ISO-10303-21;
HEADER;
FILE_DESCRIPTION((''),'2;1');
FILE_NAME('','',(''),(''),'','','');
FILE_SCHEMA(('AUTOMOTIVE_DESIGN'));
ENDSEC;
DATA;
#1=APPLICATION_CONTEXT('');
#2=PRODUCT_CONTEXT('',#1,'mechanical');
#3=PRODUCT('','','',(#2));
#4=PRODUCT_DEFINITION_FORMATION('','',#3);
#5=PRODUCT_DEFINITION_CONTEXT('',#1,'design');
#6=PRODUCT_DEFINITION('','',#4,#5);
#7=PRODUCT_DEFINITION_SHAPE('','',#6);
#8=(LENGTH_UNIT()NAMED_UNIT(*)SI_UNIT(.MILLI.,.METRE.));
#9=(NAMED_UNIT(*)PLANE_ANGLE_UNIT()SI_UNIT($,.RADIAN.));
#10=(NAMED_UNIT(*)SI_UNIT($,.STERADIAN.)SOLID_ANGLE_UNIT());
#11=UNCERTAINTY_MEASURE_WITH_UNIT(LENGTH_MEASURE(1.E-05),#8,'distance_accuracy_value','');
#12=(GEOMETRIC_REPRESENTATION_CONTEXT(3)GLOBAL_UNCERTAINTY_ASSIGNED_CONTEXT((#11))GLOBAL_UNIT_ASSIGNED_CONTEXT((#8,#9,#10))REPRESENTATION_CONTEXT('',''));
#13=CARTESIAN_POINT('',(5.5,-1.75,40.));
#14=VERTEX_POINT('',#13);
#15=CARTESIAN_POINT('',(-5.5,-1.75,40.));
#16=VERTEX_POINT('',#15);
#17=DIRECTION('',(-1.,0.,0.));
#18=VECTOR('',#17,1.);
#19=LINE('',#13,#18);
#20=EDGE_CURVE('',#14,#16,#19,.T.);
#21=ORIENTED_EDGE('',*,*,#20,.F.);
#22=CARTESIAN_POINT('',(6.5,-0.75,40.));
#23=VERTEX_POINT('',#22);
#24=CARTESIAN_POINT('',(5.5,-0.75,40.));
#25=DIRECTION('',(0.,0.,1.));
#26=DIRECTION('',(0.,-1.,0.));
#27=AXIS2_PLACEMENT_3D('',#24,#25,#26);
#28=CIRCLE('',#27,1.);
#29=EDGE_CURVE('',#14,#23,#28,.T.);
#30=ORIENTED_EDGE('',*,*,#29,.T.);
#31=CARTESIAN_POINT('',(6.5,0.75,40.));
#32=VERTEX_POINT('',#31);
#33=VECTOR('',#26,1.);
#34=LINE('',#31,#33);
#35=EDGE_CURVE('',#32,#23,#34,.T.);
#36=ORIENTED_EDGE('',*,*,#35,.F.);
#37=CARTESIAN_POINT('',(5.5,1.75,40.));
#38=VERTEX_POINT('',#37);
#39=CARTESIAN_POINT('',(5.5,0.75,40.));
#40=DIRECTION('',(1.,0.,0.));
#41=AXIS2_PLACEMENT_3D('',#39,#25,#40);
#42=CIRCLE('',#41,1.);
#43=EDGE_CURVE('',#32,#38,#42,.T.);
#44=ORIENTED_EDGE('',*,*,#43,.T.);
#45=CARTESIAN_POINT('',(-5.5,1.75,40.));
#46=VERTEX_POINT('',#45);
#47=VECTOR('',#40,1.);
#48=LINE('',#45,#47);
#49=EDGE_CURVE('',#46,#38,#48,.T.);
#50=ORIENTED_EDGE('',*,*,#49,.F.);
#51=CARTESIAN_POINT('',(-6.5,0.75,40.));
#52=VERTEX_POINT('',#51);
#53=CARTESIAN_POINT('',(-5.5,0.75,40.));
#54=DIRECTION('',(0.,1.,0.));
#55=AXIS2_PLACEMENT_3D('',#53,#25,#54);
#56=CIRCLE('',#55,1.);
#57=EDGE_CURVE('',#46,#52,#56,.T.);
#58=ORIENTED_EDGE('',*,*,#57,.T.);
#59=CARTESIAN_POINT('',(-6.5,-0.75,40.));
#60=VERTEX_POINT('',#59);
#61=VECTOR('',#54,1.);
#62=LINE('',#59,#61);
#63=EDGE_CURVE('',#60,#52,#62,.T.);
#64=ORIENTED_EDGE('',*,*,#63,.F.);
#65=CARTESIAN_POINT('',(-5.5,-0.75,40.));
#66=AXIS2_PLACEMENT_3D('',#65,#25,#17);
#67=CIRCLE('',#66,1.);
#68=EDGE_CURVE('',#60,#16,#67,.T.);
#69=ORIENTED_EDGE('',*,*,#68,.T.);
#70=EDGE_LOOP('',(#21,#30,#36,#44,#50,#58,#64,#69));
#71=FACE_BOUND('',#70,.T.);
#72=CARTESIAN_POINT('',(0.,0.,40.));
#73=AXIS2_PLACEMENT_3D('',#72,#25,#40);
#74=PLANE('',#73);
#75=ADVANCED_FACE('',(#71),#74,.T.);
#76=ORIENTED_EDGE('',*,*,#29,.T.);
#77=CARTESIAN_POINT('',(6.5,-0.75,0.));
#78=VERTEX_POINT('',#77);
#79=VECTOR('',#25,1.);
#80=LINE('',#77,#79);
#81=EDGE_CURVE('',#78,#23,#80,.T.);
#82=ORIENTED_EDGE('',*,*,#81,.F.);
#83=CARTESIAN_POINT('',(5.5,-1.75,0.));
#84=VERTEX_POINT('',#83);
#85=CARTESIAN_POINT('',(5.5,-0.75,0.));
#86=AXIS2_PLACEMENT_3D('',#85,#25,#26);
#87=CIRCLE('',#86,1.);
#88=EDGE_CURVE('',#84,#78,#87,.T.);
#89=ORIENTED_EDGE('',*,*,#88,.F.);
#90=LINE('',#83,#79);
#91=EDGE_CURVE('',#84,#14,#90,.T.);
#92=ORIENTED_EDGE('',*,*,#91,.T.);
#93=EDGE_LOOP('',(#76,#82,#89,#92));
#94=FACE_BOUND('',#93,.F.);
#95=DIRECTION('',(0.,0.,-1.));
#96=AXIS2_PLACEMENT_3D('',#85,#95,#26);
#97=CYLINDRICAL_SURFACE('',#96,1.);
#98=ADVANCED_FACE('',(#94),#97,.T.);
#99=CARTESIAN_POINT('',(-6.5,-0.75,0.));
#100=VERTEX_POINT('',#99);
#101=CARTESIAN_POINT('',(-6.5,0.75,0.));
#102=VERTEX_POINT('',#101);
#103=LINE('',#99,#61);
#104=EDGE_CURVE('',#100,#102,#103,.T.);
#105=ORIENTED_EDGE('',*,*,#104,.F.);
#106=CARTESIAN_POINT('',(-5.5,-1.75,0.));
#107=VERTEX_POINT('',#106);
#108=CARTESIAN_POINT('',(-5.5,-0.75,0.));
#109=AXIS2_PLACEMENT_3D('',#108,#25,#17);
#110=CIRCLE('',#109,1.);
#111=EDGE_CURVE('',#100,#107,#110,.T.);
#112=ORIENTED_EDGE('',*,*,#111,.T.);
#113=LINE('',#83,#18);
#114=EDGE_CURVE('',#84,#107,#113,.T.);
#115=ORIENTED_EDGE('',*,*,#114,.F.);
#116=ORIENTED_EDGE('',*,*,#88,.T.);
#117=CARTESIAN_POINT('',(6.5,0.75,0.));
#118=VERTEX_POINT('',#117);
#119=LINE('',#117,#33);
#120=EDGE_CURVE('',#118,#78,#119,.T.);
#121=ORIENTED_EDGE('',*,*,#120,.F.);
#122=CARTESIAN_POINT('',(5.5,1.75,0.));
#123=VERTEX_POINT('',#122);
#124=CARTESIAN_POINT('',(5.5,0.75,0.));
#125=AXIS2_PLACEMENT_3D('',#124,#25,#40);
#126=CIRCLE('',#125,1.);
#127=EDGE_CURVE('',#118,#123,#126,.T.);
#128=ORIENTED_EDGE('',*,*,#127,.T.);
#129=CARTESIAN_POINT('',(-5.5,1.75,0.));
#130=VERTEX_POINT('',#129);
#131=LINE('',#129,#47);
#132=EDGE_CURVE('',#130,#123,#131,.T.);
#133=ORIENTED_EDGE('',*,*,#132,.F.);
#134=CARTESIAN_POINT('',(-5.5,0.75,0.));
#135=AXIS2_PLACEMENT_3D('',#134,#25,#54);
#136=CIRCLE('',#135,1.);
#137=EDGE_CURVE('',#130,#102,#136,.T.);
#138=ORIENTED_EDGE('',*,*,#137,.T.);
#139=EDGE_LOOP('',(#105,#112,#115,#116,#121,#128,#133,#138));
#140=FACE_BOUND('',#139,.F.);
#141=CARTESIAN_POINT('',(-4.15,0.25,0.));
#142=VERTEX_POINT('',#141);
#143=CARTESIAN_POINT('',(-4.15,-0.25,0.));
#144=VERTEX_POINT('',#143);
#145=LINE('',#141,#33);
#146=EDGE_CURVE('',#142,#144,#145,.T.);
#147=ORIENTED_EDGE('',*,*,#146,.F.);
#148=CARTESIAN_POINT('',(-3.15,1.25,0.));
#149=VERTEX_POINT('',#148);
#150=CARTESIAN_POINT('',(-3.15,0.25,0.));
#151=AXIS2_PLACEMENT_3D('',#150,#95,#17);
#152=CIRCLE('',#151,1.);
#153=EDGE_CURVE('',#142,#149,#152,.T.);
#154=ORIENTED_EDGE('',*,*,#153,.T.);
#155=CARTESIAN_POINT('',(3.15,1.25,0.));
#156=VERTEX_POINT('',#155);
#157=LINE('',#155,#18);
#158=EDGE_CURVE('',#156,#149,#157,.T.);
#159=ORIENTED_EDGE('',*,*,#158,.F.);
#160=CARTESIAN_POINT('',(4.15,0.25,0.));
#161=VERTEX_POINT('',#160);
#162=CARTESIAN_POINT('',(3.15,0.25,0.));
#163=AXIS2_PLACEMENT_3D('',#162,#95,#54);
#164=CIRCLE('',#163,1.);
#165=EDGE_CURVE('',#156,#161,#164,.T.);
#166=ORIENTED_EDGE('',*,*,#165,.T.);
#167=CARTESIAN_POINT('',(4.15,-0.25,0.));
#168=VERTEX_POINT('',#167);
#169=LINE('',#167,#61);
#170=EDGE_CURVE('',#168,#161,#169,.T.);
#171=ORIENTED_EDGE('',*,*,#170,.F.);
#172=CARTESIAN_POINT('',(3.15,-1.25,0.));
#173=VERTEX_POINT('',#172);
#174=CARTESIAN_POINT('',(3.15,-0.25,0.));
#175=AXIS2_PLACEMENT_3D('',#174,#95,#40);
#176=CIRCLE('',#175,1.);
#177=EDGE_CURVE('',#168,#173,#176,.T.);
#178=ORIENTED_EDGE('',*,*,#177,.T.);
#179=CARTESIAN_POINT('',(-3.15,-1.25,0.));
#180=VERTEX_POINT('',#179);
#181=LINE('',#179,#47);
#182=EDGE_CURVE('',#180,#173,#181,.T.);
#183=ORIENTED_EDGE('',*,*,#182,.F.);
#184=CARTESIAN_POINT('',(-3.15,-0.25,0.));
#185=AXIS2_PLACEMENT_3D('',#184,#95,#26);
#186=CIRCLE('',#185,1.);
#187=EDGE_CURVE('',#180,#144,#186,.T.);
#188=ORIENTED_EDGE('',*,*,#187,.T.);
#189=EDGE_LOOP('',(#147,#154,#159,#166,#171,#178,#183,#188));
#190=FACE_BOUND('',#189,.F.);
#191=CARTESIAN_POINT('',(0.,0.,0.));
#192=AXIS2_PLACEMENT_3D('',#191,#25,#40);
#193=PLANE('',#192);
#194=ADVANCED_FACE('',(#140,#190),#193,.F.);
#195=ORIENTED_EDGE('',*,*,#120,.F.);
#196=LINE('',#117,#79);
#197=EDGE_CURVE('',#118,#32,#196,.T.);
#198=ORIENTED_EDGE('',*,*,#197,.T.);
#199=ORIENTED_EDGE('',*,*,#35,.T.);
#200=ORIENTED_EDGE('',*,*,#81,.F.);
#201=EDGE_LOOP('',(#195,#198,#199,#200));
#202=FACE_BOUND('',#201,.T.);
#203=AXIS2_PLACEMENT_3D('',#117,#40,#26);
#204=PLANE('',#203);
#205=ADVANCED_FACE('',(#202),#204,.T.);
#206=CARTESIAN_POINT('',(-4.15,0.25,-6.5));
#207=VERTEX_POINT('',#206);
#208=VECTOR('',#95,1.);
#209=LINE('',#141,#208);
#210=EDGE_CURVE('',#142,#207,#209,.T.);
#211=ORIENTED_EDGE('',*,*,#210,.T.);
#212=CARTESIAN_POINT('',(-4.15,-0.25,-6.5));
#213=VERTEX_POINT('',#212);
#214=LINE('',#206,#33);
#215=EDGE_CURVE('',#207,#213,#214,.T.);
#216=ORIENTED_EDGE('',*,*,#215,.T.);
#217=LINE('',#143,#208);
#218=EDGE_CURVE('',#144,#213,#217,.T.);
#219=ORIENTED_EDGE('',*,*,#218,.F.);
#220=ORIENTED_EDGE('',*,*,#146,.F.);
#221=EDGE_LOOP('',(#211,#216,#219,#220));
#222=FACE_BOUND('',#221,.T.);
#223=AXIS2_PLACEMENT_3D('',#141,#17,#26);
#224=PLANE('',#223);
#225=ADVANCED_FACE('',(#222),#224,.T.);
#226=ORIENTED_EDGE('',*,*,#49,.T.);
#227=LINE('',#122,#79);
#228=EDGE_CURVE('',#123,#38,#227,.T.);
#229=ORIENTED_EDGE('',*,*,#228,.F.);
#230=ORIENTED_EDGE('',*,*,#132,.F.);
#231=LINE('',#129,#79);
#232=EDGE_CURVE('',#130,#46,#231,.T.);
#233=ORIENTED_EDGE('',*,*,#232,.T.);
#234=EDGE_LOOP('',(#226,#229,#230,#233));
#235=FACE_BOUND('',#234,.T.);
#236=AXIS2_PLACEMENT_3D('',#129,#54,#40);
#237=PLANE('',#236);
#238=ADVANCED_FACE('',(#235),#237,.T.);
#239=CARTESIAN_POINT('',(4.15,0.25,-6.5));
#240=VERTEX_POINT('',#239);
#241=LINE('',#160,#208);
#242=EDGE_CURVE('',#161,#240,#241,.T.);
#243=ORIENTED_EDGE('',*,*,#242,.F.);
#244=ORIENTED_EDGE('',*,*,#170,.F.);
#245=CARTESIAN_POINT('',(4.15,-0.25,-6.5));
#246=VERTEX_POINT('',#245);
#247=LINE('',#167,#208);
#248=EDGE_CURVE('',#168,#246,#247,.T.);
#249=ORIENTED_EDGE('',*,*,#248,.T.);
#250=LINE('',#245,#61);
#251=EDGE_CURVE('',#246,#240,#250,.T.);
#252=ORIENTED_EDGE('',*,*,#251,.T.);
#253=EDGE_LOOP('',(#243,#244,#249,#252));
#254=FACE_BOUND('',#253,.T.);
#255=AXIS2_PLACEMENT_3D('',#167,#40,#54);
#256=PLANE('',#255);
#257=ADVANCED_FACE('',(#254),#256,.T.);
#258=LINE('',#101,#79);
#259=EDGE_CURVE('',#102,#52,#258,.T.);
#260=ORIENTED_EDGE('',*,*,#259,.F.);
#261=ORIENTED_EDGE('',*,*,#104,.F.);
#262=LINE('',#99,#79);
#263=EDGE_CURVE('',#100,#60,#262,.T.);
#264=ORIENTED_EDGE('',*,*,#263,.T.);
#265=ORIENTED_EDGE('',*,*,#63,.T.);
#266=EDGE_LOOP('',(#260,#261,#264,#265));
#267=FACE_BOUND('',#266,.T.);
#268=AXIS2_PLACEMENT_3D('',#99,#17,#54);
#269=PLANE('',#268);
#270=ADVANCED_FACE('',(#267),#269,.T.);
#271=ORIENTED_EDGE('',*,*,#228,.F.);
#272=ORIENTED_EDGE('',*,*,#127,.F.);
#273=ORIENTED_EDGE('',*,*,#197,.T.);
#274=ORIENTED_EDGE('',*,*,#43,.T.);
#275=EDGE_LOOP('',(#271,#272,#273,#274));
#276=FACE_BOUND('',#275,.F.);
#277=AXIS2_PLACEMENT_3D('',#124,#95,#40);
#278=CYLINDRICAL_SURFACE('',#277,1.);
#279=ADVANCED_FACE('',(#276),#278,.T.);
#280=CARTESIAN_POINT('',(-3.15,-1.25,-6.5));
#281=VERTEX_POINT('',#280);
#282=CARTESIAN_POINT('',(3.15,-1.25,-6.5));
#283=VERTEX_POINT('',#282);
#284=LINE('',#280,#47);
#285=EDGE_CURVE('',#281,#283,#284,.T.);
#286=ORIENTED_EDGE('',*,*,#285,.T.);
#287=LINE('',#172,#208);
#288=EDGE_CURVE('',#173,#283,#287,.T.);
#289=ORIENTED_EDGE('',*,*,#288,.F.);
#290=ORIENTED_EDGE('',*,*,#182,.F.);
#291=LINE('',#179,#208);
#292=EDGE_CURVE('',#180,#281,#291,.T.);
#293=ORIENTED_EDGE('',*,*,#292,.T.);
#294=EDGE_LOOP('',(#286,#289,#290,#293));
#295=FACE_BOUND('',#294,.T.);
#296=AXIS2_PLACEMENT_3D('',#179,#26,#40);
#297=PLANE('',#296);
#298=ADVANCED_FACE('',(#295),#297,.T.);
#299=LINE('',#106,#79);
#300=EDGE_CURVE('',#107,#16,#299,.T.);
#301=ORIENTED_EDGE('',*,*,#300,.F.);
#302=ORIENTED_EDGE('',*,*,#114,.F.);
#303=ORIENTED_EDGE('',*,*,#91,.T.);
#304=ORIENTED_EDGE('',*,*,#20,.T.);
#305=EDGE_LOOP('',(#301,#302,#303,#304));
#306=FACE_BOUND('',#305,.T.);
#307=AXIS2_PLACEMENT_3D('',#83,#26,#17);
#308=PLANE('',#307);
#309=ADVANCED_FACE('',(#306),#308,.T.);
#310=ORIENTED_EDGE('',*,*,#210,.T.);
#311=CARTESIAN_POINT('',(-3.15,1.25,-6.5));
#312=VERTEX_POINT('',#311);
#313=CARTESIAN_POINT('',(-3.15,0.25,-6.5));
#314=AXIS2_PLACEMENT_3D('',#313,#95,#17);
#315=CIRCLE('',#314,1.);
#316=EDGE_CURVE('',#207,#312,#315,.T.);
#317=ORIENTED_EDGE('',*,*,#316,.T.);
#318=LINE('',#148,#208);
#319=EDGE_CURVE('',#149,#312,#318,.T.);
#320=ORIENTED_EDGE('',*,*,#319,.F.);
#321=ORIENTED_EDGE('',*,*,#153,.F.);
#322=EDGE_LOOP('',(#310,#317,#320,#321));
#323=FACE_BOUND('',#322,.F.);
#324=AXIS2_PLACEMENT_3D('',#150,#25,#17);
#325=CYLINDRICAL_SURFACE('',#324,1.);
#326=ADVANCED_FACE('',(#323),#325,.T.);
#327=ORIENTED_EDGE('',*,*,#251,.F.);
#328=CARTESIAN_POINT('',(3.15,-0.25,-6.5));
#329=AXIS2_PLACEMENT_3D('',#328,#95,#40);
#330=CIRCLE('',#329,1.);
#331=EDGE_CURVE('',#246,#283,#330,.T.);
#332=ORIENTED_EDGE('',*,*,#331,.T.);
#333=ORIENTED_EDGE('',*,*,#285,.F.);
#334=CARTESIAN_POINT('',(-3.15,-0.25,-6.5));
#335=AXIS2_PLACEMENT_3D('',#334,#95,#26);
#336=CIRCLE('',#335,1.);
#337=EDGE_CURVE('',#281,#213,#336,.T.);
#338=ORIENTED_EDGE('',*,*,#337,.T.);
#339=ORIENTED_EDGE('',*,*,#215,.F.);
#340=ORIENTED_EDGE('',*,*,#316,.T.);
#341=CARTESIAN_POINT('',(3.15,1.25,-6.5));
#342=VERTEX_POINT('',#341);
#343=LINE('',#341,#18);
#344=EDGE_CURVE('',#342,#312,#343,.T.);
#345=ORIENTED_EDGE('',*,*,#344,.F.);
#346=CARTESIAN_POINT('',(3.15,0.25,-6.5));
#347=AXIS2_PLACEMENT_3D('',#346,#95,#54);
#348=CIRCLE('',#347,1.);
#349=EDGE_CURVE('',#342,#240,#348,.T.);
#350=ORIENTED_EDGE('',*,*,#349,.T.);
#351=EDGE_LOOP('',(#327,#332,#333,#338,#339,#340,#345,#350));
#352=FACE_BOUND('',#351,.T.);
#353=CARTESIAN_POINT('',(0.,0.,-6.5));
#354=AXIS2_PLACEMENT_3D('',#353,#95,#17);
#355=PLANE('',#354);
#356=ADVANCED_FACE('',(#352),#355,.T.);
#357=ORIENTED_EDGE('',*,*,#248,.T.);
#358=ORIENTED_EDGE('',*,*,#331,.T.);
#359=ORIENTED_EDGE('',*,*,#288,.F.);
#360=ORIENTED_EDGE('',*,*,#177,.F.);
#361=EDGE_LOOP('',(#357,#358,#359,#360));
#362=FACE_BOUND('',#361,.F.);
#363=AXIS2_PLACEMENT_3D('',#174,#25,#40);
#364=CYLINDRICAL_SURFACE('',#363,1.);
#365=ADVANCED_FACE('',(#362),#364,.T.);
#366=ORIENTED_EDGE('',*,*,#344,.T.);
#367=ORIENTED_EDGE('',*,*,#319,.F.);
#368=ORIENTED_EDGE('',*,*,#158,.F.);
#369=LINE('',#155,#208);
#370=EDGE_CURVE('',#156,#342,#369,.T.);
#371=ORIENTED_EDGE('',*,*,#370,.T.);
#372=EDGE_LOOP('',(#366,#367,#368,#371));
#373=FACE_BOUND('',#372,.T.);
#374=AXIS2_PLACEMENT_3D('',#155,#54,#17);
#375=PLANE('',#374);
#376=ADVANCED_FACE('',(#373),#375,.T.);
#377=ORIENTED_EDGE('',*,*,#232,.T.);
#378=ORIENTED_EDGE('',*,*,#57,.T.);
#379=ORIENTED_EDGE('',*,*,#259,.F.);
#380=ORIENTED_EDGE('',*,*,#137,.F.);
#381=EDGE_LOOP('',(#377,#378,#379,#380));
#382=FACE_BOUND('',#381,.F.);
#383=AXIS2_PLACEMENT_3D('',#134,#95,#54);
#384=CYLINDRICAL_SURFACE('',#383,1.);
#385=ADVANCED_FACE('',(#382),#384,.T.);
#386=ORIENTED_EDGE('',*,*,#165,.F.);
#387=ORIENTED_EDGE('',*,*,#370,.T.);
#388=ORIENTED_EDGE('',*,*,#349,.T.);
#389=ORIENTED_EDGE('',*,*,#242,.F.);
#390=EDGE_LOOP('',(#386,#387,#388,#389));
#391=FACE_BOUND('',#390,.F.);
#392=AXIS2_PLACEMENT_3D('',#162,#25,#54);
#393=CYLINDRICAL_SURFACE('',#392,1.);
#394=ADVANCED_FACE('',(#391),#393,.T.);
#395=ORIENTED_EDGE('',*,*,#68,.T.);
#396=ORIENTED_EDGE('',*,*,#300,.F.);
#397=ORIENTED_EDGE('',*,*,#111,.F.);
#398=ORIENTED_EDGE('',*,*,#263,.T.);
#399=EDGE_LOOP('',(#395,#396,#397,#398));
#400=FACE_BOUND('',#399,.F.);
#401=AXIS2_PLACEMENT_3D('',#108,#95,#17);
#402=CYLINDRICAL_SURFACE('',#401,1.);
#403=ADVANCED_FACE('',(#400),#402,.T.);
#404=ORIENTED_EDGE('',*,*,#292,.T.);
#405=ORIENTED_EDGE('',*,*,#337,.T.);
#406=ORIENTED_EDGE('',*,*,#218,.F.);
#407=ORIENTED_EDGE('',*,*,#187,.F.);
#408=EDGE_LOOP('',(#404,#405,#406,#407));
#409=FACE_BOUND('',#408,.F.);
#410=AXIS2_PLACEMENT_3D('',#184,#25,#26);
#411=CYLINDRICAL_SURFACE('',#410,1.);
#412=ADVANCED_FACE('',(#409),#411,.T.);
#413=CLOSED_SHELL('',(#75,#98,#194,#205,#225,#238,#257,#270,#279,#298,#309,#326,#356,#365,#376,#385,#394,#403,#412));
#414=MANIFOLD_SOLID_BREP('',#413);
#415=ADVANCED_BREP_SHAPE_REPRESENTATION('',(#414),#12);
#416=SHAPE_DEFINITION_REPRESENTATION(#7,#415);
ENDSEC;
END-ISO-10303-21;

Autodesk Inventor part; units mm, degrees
ref_plane "YZ Plane" through (0, 0, 0) normal (1, 0, 0) x (0, 1, 0)
ref_plane "XZ Plane" through (0, 0, 0) normal (0, 1, 0) x (-1, 0, 0)
ref_plane "XY Plane" through (0, 0, 0) normal (0, 0, 1) x (1, 0, 0)
sketch "Sketch1" plane through (0, 0, 0) normal (0, 0, 1) x (1, 0, 0)
  line L0 (-5.5, 1.75) -> (5.5, 1.75)
  line L1 (6.5, 0.75) -> (6.5, -0.75)
  line L2 (5.5, -1.75) -> (-5.5, -1.75)
  line L3 (-6.5, -0.75) -> (-6.5, 0.75)
  line L4 (0, 0) -> (0, 3.6789) construction
  line L5 (0, 0) -> (3.0794, 0) construction
  arc A0 (-5.5, 1.75) -> (-6.5, 0.75) centre (-5.5, 0.75) ccw
  arc A1 (-6.5, -0.75) -> (-5.5, -1.75) centre (-5.5, -0.75) ccw
  arc A2 (5.5, -1.75) -> (6.5, -0.75) centre (5.5, -0.75) ccw
  arc A3 (6.5, 0.75) -> (5.5, 1.75) centre (5.5, 0.75) ccw
  point P0 (-6.5, 1.75)
  point P1 (6.5, -1.75)
  point P2 (6.5, 1.75)
  dimension "d0" = 13
  dimension "d1" = 3.5
  dimension "d2" = 1
  dimension "d3" = 1
extrude "Extrusion1" add sketch "Sketch1" along normal blind 40
sketch "Sketch2" plane through (0, 0, 0) normal (0, 0, -1) x (-1, 0, 0)
  line L0 (-3.15, 1.25) -> (3.15, 1.25)
  line L1 (4.15, 0.25) -> (4.15, -0.25)
  line L2 (3.15, -1.25) -> (-3.15, -1.25)
  line L3 (-4.15, -0.25) -> (-4.15, 0.25)
  line L4 (0, 0) -> (0, 2.3167) construction
  line L5 (0, 0) -> (2.0938, 0) construction
  arc A0 (-3.15, 1.25) -> (-4.15, 0.25) centre (-3.15, 0.25) ccw
  arc A1 (-4.15, -0.25) -> (-3.15, -1.25) centre (-3.15, -0.25) ccw
  arc A2 (3.15, -1.25) -> (4.15, -0.25) centre (3.15, -0.25) ccw
  arc A3 (4.15, 0.25) -> (3.15, 1.25) centre (3.15, 0.25) ccw
  point P0 (4.15, -1.25)
  point P1 (4.15, 1.25)
  point P2 (-4.15, -1.25)
  dimension "d6" = 8.3
  dimension "d7" = 2.5
  dimension "d8" = 1
extrude "Extrusion2" add sketch "Sketch2" along normal blind 6.5
properties part number "3d_JacintoDevKit_Addon - USB Type-C"
